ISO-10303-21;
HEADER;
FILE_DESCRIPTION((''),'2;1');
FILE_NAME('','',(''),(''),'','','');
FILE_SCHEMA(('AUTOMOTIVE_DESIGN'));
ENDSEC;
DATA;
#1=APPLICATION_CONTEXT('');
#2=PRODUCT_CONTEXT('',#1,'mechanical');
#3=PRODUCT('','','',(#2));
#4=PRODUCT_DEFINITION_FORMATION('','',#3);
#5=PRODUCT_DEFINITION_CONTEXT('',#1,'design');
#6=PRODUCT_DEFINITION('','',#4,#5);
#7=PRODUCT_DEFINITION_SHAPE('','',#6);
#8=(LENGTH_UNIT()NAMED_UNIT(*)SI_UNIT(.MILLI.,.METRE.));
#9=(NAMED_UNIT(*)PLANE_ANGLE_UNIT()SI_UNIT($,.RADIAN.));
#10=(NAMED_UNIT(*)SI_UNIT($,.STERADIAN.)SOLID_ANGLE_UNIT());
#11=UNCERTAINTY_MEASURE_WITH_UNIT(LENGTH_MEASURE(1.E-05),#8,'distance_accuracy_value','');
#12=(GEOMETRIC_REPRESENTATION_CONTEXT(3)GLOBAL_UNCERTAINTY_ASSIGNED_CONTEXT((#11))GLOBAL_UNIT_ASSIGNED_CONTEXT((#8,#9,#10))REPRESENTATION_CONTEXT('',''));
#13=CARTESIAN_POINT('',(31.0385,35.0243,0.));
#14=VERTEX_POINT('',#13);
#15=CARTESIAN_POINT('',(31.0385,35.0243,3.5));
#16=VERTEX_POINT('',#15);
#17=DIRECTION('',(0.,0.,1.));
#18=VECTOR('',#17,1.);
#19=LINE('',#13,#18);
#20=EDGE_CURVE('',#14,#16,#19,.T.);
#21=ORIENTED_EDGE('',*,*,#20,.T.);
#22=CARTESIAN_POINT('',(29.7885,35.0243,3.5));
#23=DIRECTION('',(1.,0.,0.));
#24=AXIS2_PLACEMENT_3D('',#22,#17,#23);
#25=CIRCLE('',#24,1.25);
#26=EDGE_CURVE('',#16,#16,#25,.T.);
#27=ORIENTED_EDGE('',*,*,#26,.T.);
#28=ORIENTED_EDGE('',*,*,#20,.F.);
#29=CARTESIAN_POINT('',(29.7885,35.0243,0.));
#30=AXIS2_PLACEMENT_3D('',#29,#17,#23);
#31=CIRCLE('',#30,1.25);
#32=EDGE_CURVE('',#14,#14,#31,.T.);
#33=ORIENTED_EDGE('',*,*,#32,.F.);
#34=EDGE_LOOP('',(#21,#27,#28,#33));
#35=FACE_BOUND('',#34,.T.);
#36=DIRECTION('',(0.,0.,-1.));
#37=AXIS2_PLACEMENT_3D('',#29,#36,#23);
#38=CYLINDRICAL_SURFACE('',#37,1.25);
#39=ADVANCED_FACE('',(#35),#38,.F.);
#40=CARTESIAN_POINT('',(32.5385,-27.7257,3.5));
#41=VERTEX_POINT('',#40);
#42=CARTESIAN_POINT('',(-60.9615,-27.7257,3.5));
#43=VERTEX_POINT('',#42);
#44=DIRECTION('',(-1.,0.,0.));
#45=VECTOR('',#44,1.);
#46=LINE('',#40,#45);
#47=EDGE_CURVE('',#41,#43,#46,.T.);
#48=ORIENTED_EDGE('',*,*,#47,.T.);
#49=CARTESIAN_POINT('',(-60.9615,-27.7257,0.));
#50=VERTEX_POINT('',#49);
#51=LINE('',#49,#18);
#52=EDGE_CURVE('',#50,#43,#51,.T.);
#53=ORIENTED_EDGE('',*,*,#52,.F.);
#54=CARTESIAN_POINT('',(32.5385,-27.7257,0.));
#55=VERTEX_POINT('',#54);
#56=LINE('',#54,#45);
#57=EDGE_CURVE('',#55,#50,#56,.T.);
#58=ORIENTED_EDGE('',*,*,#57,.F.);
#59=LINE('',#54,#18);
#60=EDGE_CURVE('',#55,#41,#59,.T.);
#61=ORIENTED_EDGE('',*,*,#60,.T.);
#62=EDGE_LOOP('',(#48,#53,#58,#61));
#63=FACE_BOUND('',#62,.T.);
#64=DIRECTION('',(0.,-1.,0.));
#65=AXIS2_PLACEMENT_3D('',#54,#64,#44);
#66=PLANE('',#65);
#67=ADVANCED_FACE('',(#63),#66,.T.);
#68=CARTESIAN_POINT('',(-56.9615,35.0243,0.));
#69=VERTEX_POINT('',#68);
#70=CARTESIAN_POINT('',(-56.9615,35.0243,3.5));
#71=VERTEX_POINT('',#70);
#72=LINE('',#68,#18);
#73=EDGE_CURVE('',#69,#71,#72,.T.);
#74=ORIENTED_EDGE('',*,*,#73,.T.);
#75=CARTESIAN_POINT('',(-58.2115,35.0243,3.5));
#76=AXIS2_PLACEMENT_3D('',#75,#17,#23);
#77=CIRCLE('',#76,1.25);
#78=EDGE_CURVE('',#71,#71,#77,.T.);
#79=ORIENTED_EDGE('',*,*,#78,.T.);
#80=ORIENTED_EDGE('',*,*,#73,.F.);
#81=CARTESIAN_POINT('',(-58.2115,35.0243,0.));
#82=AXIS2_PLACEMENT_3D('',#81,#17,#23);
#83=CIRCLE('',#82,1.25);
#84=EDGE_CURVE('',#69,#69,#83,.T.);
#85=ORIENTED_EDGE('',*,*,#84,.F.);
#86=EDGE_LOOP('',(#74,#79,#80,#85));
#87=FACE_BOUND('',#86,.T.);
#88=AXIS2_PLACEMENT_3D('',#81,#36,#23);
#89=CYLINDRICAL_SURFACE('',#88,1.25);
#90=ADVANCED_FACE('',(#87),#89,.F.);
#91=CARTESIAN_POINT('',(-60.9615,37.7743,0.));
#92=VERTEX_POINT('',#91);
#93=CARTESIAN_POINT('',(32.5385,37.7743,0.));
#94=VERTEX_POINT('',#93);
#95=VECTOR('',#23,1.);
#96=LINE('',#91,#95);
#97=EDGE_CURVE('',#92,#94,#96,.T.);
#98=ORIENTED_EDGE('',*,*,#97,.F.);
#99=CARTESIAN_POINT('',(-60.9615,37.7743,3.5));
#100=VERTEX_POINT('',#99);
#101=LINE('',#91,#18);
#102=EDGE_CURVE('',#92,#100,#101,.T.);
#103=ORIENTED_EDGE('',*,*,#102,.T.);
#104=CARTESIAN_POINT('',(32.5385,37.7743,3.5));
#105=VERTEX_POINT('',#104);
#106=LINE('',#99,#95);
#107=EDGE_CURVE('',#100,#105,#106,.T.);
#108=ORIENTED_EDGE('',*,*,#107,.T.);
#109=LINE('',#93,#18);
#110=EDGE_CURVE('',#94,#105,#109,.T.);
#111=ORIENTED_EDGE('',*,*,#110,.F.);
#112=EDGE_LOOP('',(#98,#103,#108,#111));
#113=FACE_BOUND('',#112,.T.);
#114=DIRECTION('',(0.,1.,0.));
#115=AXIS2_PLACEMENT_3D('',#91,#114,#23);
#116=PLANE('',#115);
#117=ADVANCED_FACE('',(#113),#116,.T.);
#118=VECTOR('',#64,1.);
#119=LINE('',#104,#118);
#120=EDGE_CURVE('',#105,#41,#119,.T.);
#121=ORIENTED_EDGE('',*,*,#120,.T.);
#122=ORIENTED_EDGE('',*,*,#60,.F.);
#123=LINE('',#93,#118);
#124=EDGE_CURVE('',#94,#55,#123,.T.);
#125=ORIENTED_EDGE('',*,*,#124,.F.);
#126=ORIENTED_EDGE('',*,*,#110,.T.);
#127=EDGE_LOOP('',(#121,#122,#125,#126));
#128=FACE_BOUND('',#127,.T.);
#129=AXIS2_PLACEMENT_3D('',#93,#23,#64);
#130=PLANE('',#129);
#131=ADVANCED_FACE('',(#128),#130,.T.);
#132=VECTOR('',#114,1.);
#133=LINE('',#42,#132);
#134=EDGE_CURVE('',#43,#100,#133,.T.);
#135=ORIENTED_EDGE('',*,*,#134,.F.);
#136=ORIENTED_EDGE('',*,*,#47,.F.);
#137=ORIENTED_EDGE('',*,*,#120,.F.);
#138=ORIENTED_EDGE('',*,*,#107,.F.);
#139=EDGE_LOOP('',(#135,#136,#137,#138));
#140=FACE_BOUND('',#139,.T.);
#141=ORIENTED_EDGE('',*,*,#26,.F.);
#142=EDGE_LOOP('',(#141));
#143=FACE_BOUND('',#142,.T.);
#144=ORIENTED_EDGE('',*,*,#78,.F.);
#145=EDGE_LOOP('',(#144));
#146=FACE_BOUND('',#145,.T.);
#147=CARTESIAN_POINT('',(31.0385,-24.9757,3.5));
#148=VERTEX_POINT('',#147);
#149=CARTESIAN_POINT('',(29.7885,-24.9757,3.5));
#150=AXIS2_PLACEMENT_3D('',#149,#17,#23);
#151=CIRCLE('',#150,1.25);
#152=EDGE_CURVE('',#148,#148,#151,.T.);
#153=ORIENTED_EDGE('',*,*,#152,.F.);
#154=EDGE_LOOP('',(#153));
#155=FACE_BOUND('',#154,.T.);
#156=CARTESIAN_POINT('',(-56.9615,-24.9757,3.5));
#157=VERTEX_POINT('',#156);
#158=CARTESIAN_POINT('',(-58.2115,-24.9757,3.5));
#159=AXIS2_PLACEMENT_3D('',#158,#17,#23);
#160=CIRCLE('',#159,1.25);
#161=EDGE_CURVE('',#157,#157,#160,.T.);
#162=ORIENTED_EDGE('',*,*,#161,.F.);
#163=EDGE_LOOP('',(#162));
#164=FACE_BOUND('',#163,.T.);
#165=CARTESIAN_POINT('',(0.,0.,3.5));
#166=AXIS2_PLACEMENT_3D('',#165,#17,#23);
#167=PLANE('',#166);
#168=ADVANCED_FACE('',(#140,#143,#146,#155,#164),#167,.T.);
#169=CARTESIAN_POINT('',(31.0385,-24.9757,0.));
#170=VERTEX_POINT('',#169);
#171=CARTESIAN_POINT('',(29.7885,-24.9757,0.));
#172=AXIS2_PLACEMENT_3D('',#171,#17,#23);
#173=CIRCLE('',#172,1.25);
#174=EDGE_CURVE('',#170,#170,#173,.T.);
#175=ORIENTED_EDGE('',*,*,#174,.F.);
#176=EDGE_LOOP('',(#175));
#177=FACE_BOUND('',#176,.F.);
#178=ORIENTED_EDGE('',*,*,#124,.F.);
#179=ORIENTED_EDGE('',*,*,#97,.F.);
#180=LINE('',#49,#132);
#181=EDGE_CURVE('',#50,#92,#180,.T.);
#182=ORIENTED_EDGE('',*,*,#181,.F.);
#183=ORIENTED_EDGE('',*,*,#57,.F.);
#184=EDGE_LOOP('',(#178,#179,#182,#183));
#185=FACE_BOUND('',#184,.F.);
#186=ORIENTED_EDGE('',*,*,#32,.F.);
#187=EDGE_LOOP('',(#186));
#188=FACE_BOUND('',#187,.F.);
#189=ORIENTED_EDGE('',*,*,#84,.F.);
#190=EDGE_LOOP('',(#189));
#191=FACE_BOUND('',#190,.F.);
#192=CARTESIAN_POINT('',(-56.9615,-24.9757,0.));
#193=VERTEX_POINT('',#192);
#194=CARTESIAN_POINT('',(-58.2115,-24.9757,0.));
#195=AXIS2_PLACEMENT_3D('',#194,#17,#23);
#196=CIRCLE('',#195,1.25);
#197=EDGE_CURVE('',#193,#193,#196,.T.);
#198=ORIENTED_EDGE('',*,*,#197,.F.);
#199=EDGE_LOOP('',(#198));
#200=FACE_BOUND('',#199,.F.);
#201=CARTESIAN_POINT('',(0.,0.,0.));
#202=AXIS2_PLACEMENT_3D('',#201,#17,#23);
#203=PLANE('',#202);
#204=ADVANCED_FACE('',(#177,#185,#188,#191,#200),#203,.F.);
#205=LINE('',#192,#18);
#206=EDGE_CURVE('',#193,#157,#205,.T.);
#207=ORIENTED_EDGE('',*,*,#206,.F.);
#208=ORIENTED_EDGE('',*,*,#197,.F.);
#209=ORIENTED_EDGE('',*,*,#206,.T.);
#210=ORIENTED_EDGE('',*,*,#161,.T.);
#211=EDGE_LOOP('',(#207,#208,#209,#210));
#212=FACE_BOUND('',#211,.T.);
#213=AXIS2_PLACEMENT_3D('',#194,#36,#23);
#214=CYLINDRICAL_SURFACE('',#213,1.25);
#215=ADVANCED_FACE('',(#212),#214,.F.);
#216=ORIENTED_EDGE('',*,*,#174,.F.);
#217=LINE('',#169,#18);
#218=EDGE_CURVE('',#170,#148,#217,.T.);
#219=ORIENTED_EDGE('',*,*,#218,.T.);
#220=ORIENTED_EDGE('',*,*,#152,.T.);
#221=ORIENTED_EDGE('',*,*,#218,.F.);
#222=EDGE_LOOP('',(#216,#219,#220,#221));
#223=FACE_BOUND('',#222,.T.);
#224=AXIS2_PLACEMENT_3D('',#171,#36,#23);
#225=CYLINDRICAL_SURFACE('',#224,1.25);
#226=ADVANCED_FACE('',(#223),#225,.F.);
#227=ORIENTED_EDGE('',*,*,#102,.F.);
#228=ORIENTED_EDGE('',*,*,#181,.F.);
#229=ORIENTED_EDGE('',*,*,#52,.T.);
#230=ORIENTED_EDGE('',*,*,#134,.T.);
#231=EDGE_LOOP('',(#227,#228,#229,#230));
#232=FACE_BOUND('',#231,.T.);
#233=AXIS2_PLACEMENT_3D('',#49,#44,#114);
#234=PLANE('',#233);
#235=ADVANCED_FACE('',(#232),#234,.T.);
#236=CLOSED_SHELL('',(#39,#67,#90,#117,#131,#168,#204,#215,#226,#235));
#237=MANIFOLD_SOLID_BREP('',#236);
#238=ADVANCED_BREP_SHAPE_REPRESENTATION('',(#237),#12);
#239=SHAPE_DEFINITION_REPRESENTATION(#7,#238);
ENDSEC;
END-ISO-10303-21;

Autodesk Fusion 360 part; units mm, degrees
sketch "Sketch1" plane through (0, 0, 0) normal (0, 0, 1) x (1, 0, 0)
  line L0 (-60.9615, 37.7743) -> (32.5385, 37.7743)
  line L1 (32.5385, 37.7743) -> (32.5385, -27.7257)
  line L2 (32.5385, -27.7257) -> (-60.9615, -27.7257)
  line L3 (-60.9615, -27.7257) -> (-60.9615, 37.7743)
  circle A0 centre (-58.2115, 35.0243) radius 1.25
  circle A1 centre (29.7885, 35.0243) radius 1.25
  circle A2 centre (-58.2115, -24.9757) radius 1.25
  circle A3 centre (29.7885, -24.9757) radius 1.25
  dimension "d1" = 93.5
  dimension "d2" = 65.5
  dimension "d3" = 2.5
  dimension "d4" = 2.5
  dimension "d5" = 2.5
  dimension "d6" = 2.5
  dimension "d7" = 2.75
  dimension "d8" = 2.75
  dimension "d9" = 2.75
  dimension "d10" = 2.75
  dimension "d11" = 2.75
  dimension "d12" = 2.75
  dimension "d13" = 2.75
  dimension "d14" = 2.75
extrude "Extrude1" add sketch "Sketch1" along normal blind 3.5
